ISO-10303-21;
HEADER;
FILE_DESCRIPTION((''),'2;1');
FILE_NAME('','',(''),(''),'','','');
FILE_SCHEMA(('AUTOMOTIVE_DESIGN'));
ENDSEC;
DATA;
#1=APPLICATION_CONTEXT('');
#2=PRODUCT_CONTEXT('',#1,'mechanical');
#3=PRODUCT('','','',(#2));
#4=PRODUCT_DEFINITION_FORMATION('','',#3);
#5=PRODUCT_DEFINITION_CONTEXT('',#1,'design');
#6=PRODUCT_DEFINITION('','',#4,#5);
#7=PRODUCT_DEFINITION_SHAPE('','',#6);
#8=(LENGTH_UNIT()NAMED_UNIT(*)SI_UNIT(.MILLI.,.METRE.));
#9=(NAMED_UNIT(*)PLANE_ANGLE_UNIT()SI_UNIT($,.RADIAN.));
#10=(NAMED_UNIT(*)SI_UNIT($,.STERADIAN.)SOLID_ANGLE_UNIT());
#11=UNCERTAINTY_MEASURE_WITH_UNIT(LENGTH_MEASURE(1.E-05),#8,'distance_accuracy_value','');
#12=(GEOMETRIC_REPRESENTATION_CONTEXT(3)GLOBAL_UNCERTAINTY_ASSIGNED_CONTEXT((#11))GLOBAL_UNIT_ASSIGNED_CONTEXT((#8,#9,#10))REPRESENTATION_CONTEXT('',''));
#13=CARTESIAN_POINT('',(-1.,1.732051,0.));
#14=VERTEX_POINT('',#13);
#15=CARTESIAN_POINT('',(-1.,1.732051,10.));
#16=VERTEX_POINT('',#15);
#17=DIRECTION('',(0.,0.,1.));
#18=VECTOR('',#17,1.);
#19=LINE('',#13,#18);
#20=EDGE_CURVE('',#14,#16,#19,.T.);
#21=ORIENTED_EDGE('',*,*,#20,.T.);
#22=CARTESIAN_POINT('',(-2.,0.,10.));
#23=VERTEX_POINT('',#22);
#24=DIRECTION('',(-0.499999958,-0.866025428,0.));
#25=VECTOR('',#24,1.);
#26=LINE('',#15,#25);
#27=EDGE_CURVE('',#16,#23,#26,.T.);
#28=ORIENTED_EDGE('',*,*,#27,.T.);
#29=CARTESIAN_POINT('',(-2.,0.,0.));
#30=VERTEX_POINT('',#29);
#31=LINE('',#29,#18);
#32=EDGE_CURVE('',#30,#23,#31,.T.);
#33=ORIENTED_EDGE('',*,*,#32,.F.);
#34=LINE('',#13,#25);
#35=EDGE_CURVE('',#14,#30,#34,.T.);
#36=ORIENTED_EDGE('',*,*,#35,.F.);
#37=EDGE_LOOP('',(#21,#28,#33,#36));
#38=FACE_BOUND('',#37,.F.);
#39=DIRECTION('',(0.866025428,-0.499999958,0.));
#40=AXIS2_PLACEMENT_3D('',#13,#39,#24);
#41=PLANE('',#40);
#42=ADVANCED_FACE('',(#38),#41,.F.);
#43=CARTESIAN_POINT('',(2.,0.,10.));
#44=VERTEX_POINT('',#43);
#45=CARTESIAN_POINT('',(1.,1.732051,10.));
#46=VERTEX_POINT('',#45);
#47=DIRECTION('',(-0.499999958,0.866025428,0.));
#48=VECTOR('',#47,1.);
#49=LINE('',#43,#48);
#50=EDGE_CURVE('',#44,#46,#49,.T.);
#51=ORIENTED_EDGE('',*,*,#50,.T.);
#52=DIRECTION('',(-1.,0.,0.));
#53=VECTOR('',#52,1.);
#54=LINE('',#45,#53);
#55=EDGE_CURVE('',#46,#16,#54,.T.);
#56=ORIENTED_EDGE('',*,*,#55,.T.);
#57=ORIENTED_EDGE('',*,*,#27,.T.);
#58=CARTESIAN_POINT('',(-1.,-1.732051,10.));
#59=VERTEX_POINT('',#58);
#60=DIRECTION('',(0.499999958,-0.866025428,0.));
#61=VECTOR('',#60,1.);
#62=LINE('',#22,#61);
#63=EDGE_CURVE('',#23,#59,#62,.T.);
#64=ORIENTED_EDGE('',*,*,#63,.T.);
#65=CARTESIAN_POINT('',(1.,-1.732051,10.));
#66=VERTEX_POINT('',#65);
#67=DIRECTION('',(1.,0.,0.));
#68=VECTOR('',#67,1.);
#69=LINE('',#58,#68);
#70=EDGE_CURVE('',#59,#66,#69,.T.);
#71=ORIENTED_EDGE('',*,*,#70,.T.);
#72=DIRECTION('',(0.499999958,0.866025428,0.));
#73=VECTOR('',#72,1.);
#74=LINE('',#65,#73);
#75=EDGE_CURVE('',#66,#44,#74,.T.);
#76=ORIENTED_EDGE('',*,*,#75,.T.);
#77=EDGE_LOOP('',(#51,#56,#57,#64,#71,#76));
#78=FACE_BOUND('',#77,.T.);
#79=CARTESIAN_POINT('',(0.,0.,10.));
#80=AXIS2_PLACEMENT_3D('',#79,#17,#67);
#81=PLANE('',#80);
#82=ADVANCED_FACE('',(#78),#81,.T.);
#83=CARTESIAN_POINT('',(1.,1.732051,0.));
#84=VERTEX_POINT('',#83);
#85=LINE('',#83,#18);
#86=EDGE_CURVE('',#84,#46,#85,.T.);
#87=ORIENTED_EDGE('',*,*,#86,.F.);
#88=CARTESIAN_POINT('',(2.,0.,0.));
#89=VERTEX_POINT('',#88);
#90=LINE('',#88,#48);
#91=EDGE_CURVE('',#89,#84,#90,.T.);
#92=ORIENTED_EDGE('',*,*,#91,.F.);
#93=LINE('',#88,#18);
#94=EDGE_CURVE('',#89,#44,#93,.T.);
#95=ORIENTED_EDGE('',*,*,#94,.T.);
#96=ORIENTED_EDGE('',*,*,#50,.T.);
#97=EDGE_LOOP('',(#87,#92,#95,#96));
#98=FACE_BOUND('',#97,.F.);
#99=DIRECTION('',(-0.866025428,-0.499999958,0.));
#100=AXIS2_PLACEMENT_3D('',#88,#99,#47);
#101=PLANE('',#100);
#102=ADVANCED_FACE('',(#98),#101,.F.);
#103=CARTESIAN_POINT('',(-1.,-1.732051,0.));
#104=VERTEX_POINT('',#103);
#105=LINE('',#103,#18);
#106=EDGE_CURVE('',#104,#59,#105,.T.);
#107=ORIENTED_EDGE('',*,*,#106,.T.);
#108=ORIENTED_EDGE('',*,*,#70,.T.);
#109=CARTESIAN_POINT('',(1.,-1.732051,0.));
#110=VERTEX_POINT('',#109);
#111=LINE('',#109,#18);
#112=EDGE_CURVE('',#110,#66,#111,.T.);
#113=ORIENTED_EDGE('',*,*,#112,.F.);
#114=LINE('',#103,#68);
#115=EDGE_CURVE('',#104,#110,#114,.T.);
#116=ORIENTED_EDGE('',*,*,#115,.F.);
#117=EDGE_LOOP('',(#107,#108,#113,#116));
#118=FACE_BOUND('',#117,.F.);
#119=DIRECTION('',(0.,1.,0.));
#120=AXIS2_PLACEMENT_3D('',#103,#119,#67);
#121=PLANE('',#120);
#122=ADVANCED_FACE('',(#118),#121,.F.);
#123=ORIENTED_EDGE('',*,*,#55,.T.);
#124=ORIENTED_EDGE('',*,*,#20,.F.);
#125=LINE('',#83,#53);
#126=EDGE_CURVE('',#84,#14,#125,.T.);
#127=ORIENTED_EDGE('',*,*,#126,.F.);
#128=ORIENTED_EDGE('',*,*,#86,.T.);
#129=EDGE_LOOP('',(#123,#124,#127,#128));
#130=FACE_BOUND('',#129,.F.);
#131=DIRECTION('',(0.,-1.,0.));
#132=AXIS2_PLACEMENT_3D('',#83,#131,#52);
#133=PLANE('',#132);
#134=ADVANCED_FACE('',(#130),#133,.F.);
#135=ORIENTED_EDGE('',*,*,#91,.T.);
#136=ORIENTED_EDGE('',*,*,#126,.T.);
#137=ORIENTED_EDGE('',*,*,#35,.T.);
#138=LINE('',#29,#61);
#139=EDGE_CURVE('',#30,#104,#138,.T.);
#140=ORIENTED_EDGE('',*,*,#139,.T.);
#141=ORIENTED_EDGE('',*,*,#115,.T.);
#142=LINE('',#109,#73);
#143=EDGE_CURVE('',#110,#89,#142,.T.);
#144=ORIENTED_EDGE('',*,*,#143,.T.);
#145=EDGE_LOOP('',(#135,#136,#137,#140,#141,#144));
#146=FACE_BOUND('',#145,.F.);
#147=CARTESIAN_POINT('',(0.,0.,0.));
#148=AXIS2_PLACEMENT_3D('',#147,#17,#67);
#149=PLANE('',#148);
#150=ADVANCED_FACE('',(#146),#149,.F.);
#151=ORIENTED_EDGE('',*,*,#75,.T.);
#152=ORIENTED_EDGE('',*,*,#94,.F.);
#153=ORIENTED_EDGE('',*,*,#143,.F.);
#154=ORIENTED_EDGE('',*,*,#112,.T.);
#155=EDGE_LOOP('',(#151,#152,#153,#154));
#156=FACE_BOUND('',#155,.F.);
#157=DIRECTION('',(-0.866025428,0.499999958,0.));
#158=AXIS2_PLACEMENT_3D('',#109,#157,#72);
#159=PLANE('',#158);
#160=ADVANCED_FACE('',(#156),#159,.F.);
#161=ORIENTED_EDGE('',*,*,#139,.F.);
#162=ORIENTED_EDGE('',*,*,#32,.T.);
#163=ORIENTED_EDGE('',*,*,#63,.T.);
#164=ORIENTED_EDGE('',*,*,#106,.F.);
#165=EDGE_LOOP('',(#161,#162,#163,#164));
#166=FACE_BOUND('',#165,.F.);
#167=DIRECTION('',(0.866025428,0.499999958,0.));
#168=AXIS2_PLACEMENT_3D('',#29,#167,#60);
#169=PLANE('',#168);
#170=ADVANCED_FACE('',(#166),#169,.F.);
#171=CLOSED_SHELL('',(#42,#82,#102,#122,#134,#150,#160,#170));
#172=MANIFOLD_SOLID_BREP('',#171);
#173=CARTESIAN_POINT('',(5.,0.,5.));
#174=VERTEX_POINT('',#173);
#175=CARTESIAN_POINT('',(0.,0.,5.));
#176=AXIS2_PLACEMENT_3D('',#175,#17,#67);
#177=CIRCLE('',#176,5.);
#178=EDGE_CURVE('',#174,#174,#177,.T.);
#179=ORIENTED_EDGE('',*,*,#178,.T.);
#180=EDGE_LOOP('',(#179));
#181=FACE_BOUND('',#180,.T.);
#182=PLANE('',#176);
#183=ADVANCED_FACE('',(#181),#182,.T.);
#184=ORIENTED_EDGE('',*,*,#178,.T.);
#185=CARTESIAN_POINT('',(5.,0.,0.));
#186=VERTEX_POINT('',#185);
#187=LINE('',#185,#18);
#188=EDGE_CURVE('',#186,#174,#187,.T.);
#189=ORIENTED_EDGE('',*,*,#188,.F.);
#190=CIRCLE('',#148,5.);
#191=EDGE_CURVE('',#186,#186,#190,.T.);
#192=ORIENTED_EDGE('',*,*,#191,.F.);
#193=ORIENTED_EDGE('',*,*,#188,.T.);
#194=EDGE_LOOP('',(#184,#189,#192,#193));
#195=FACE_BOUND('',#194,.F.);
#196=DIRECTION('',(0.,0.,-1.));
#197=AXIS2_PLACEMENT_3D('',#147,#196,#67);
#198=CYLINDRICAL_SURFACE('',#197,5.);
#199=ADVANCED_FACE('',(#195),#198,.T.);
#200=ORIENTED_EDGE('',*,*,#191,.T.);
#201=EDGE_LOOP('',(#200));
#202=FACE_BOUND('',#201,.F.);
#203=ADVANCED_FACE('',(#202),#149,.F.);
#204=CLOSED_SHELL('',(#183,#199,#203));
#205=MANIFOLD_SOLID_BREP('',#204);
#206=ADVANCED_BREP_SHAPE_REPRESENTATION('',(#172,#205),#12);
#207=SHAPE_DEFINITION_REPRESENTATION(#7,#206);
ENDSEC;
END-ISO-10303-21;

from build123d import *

# Parameters (mm, degrees)
CYLINDER_R     = 5
CYLINDER_DEPTH = 5
PRISM_DEPTH    = 10


with BuildPart() as cylinder:
    # Cylinder → Cylinder (new body)
    with BuildSketch(Plane.XY):
        Circle(CYLINDER_R)
    extrude(amount=CYLINDER_DEPTH)


with BuildPart() as prism:
    # Prism → Prism (new body)
    with BuildSketch(Plane.XY):
        Polygon((2, 0), (1, 1.732051), (-1, 1.732051), (-2, 0), (-1, -1.732051), (1, -1.732051), align=None)
    extrude(amount=PRISM_DEPTH)


solid = Compound([cylinder.part, prism.part])
